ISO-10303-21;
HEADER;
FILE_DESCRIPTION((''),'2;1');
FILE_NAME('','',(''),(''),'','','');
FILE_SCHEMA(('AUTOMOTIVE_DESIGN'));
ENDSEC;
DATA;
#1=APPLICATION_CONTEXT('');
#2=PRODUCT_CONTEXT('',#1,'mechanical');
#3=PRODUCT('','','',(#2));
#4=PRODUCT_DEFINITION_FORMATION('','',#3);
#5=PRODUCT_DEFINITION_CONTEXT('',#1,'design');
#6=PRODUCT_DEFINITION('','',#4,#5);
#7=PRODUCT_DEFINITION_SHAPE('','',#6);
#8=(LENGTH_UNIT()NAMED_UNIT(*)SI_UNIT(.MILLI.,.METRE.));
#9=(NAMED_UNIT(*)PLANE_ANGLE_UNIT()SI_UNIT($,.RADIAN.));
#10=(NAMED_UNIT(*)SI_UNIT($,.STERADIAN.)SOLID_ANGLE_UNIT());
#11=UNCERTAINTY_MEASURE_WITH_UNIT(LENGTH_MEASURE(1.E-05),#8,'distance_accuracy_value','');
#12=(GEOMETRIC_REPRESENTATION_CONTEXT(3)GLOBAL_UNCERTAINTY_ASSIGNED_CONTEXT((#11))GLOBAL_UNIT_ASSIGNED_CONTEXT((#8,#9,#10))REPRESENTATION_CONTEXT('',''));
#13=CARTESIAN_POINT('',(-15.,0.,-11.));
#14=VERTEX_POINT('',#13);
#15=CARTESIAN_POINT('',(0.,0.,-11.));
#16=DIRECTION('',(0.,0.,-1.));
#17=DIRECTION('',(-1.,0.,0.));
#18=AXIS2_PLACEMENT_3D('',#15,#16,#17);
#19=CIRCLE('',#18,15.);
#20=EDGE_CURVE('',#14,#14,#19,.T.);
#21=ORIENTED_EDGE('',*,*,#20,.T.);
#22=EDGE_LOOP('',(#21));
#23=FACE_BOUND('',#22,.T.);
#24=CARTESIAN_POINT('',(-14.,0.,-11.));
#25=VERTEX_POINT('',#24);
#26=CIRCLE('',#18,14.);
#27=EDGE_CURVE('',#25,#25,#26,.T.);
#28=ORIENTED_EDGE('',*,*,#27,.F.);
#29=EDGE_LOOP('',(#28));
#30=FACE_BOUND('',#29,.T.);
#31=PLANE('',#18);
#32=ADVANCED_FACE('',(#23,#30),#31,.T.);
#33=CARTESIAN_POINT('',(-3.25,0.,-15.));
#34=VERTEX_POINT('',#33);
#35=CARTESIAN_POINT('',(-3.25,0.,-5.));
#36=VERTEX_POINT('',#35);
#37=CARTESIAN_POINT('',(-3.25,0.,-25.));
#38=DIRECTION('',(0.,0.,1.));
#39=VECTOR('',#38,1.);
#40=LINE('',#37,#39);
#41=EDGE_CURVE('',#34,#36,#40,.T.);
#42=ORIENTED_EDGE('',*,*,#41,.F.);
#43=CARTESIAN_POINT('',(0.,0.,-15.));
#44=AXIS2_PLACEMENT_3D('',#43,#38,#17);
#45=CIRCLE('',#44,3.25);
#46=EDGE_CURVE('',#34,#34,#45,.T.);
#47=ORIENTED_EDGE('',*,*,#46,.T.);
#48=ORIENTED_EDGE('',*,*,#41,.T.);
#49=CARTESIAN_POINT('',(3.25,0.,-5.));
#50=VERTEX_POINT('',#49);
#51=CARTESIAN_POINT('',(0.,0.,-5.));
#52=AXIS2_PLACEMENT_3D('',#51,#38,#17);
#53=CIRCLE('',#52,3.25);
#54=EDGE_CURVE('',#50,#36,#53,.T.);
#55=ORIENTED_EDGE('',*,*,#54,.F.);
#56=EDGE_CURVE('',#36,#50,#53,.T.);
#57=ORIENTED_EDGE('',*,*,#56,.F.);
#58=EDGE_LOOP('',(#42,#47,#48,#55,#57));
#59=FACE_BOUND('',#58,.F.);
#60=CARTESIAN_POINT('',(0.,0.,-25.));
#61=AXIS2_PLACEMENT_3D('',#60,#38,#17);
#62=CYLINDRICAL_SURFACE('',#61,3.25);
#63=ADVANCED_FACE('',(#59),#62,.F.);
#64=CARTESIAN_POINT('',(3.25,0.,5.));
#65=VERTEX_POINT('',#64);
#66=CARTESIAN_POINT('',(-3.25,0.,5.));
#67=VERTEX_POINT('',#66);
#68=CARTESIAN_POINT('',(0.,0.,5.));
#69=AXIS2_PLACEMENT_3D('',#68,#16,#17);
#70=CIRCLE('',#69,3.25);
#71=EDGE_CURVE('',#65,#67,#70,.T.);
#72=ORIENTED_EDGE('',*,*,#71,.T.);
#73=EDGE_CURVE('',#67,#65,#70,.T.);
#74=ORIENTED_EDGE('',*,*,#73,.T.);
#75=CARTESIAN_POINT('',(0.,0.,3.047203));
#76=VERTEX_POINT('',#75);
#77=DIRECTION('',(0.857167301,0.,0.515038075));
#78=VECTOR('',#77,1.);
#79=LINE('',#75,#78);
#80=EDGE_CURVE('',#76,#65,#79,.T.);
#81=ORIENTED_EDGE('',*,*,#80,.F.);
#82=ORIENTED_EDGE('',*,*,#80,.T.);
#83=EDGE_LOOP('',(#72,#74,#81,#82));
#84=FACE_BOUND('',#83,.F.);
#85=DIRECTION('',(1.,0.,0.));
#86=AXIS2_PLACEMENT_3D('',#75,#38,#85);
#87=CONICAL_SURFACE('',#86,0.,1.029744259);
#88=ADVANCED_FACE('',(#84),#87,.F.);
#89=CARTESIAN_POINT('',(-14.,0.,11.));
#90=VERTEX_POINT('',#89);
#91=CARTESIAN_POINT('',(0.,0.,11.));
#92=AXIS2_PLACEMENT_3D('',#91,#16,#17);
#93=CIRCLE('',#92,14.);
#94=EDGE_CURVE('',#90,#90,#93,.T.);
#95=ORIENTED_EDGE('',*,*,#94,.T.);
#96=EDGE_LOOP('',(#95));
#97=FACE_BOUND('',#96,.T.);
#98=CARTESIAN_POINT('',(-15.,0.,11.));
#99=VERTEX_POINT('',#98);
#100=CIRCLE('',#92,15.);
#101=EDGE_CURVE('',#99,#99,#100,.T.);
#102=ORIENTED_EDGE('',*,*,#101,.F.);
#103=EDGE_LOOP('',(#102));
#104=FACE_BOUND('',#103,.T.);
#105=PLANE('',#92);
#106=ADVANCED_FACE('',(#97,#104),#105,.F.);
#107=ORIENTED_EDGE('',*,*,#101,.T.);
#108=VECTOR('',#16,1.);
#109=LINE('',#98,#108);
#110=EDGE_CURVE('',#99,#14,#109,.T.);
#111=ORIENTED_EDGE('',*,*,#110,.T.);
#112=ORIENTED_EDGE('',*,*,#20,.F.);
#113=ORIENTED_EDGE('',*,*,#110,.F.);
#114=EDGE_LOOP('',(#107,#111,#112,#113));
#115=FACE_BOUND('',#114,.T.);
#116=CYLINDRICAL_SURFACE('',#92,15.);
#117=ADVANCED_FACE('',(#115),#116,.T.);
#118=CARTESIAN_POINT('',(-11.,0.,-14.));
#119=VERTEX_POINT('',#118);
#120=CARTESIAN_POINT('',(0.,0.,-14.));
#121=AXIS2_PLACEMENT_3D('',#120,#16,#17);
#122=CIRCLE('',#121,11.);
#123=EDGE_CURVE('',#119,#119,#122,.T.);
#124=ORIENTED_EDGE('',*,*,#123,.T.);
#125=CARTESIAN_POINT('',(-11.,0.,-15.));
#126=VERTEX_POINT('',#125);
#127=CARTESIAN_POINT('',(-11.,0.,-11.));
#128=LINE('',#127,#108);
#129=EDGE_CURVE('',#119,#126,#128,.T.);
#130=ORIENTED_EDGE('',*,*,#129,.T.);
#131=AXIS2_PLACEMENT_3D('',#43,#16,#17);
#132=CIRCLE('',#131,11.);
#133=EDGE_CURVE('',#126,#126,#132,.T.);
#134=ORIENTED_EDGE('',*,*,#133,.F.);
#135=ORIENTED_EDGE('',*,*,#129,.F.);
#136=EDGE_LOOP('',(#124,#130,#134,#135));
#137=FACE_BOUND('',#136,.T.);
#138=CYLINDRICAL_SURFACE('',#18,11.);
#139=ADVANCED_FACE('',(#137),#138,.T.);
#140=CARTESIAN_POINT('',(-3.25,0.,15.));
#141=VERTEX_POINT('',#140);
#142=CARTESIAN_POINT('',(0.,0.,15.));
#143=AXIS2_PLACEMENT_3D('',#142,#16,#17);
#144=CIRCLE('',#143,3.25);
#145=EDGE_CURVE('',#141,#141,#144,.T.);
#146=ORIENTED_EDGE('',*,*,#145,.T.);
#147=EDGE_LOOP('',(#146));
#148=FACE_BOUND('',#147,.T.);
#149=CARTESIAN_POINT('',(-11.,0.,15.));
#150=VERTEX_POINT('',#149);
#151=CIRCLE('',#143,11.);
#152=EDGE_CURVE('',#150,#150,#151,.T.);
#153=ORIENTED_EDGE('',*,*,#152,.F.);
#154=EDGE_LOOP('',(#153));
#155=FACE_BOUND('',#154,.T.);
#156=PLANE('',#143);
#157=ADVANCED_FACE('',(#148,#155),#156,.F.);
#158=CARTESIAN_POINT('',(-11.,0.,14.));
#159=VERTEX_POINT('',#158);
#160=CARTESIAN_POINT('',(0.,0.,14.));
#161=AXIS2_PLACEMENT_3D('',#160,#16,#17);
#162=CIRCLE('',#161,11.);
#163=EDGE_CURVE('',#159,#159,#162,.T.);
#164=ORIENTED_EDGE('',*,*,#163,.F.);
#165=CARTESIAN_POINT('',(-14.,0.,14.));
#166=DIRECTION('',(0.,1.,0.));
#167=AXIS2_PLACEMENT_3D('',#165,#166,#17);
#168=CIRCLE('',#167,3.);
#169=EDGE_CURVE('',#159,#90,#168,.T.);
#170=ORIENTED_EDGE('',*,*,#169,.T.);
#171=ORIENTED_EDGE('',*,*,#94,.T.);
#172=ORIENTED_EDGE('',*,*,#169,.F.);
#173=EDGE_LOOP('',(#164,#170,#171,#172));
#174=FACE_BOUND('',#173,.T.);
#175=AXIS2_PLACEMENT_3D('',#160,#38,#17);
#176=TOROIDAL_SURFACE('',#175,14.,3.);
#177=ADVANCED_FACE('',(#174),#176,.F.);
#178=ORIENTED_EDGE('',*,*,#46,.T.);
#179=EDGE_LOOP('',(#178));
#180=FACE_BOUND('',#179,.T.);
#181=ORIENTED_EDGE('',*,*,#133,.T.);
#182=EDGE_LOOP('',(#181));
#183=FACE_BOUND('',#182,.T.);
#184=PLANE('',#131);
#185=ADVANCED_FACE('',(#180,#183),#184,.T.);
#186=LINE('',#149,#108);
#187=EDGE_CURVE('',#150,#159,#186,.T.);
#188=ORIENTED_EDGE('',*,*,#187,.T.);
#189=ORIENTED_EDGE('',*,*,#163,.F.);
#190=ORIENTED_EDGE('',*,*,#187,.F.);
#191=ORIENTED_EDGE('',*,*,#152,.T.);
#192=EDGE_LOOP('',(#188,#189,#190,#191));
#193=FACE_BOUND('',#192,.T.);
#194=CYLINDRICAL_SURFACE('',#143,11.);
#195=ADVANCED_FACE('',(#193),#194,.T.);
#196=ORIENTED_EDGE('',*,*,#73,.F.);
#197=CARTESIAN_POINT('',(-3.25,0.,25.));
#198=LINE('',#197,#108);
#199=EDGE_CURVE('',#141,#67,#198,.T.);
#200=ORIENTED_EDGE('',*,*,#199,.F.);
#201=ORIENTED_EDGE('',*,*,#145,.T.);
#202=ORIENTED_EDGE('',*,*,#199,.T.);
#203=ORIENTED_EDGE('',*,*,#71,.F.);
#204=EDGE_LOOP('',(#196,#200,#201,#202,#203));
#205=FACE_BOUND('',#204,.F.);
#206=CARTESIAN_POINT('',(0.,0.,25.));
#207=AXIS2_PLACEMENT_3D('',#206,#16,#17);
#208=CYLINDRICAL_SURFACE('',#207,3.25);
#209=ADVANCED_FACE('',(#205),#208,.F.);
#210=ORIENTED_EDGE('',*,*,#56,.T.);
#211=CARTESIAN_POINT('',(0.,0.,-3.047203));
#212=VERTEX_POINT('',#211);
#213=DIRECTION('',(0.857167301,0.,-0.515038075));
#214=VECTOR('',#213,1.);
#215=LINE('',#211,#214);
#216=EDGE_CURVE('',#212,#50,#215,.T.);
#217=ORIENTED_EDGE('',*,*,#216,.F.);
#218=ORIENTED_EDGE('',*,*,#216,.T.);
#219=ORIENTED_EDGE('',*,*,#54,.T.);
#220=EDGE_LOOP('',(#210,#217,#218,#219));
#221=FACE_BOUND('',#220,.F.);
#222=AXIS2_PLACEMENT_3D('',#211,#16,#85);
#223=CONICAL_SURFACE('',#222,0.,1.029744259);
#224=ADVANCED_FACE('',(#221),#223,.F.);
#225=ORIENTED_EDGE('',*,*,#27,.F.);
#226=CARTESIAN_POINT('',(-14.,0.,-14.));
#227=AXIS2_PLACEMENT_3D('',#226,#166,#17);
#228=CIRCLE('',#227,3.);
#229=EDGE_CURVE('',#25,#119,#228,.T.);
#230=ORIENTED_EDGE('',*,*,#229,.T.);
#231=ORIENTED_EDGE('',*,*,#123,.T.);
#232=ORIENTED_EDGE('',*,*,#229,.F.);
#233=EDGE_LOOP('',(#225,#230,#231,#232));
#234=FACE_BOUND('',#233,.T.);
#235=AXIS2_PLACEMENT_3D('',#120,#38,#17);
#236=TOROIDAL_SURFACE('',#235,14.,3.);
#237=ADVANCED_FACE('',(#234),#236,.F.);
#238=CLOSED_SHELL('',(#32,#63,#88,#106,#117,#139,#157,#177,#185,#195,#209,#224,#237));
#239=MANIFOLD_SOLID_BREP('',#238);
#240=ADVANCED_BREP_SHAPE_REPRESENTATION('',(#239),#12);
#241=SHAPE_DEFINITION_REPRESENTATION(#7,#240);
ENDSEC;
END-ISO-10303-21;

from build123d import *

# Parameters (mm, degrees)
F2_R           = 3
F5_D           = 6.5
F5_DEPTH       = 10
F5_TIP         = 1.9527970118
F5_ON_F3_D     = 6.5
F5_ON_F3_DEPTH = 10
F5_ON_F3_TIP   = 1.9527970118


with BuildPart() as f1:
    # F0 (on Front) → F1 (revolve)
    with BuildSketch(Plane.XZ):
        Polygon((0, -15), (0, 15), (-11, 15), (-11, 11), (-15, 11), (-15, -11), (-11, -11), (-11, -15), align=None)
    revolve(axis=Axis((0, 0, 0), (0, 0, -1)))

    # F2
    f2_edges = [f1.edges().sort_by_distance(p)[0] for p in [
        (11, 0, 11),
        (11, 0, -11),
    ]]
    fillet(f2_edges, radius=F2_R)

    # F5
    with Locations(Plane(origin=(0, 0, -15), x_dir=(1, 0, 0), z_dir=(0, 0, -1))):
        with Locations((0, 0)):
            Hole(F5_D / 2, depth=F5_DEPTH)
            with Locations((0, 0, -(F5_DEPTH + F5_TIP / 2))):  # 118° drill point
                Cone(0, F5_D / 2, F5_TIP, mode=Mode.SUBTRACT)

    # F5 on F3
    with Locations(Plane.XY.offset(15)):
        with Locations((0, 0)):
            Hole(F5_ON_F3_D / 2, depth=F5_ON_F3_DEPTH)
            with Locations((0, 0, -(F5_ON_F3_DEPTH + F5_ON_F3_TIP / 2))):  # 118° drill point
                Cone(0, F5_ON_F3_D / 2, F5_ON_F3_TIP, mode=Mode.SUBTRACT)


solid = f1.part
